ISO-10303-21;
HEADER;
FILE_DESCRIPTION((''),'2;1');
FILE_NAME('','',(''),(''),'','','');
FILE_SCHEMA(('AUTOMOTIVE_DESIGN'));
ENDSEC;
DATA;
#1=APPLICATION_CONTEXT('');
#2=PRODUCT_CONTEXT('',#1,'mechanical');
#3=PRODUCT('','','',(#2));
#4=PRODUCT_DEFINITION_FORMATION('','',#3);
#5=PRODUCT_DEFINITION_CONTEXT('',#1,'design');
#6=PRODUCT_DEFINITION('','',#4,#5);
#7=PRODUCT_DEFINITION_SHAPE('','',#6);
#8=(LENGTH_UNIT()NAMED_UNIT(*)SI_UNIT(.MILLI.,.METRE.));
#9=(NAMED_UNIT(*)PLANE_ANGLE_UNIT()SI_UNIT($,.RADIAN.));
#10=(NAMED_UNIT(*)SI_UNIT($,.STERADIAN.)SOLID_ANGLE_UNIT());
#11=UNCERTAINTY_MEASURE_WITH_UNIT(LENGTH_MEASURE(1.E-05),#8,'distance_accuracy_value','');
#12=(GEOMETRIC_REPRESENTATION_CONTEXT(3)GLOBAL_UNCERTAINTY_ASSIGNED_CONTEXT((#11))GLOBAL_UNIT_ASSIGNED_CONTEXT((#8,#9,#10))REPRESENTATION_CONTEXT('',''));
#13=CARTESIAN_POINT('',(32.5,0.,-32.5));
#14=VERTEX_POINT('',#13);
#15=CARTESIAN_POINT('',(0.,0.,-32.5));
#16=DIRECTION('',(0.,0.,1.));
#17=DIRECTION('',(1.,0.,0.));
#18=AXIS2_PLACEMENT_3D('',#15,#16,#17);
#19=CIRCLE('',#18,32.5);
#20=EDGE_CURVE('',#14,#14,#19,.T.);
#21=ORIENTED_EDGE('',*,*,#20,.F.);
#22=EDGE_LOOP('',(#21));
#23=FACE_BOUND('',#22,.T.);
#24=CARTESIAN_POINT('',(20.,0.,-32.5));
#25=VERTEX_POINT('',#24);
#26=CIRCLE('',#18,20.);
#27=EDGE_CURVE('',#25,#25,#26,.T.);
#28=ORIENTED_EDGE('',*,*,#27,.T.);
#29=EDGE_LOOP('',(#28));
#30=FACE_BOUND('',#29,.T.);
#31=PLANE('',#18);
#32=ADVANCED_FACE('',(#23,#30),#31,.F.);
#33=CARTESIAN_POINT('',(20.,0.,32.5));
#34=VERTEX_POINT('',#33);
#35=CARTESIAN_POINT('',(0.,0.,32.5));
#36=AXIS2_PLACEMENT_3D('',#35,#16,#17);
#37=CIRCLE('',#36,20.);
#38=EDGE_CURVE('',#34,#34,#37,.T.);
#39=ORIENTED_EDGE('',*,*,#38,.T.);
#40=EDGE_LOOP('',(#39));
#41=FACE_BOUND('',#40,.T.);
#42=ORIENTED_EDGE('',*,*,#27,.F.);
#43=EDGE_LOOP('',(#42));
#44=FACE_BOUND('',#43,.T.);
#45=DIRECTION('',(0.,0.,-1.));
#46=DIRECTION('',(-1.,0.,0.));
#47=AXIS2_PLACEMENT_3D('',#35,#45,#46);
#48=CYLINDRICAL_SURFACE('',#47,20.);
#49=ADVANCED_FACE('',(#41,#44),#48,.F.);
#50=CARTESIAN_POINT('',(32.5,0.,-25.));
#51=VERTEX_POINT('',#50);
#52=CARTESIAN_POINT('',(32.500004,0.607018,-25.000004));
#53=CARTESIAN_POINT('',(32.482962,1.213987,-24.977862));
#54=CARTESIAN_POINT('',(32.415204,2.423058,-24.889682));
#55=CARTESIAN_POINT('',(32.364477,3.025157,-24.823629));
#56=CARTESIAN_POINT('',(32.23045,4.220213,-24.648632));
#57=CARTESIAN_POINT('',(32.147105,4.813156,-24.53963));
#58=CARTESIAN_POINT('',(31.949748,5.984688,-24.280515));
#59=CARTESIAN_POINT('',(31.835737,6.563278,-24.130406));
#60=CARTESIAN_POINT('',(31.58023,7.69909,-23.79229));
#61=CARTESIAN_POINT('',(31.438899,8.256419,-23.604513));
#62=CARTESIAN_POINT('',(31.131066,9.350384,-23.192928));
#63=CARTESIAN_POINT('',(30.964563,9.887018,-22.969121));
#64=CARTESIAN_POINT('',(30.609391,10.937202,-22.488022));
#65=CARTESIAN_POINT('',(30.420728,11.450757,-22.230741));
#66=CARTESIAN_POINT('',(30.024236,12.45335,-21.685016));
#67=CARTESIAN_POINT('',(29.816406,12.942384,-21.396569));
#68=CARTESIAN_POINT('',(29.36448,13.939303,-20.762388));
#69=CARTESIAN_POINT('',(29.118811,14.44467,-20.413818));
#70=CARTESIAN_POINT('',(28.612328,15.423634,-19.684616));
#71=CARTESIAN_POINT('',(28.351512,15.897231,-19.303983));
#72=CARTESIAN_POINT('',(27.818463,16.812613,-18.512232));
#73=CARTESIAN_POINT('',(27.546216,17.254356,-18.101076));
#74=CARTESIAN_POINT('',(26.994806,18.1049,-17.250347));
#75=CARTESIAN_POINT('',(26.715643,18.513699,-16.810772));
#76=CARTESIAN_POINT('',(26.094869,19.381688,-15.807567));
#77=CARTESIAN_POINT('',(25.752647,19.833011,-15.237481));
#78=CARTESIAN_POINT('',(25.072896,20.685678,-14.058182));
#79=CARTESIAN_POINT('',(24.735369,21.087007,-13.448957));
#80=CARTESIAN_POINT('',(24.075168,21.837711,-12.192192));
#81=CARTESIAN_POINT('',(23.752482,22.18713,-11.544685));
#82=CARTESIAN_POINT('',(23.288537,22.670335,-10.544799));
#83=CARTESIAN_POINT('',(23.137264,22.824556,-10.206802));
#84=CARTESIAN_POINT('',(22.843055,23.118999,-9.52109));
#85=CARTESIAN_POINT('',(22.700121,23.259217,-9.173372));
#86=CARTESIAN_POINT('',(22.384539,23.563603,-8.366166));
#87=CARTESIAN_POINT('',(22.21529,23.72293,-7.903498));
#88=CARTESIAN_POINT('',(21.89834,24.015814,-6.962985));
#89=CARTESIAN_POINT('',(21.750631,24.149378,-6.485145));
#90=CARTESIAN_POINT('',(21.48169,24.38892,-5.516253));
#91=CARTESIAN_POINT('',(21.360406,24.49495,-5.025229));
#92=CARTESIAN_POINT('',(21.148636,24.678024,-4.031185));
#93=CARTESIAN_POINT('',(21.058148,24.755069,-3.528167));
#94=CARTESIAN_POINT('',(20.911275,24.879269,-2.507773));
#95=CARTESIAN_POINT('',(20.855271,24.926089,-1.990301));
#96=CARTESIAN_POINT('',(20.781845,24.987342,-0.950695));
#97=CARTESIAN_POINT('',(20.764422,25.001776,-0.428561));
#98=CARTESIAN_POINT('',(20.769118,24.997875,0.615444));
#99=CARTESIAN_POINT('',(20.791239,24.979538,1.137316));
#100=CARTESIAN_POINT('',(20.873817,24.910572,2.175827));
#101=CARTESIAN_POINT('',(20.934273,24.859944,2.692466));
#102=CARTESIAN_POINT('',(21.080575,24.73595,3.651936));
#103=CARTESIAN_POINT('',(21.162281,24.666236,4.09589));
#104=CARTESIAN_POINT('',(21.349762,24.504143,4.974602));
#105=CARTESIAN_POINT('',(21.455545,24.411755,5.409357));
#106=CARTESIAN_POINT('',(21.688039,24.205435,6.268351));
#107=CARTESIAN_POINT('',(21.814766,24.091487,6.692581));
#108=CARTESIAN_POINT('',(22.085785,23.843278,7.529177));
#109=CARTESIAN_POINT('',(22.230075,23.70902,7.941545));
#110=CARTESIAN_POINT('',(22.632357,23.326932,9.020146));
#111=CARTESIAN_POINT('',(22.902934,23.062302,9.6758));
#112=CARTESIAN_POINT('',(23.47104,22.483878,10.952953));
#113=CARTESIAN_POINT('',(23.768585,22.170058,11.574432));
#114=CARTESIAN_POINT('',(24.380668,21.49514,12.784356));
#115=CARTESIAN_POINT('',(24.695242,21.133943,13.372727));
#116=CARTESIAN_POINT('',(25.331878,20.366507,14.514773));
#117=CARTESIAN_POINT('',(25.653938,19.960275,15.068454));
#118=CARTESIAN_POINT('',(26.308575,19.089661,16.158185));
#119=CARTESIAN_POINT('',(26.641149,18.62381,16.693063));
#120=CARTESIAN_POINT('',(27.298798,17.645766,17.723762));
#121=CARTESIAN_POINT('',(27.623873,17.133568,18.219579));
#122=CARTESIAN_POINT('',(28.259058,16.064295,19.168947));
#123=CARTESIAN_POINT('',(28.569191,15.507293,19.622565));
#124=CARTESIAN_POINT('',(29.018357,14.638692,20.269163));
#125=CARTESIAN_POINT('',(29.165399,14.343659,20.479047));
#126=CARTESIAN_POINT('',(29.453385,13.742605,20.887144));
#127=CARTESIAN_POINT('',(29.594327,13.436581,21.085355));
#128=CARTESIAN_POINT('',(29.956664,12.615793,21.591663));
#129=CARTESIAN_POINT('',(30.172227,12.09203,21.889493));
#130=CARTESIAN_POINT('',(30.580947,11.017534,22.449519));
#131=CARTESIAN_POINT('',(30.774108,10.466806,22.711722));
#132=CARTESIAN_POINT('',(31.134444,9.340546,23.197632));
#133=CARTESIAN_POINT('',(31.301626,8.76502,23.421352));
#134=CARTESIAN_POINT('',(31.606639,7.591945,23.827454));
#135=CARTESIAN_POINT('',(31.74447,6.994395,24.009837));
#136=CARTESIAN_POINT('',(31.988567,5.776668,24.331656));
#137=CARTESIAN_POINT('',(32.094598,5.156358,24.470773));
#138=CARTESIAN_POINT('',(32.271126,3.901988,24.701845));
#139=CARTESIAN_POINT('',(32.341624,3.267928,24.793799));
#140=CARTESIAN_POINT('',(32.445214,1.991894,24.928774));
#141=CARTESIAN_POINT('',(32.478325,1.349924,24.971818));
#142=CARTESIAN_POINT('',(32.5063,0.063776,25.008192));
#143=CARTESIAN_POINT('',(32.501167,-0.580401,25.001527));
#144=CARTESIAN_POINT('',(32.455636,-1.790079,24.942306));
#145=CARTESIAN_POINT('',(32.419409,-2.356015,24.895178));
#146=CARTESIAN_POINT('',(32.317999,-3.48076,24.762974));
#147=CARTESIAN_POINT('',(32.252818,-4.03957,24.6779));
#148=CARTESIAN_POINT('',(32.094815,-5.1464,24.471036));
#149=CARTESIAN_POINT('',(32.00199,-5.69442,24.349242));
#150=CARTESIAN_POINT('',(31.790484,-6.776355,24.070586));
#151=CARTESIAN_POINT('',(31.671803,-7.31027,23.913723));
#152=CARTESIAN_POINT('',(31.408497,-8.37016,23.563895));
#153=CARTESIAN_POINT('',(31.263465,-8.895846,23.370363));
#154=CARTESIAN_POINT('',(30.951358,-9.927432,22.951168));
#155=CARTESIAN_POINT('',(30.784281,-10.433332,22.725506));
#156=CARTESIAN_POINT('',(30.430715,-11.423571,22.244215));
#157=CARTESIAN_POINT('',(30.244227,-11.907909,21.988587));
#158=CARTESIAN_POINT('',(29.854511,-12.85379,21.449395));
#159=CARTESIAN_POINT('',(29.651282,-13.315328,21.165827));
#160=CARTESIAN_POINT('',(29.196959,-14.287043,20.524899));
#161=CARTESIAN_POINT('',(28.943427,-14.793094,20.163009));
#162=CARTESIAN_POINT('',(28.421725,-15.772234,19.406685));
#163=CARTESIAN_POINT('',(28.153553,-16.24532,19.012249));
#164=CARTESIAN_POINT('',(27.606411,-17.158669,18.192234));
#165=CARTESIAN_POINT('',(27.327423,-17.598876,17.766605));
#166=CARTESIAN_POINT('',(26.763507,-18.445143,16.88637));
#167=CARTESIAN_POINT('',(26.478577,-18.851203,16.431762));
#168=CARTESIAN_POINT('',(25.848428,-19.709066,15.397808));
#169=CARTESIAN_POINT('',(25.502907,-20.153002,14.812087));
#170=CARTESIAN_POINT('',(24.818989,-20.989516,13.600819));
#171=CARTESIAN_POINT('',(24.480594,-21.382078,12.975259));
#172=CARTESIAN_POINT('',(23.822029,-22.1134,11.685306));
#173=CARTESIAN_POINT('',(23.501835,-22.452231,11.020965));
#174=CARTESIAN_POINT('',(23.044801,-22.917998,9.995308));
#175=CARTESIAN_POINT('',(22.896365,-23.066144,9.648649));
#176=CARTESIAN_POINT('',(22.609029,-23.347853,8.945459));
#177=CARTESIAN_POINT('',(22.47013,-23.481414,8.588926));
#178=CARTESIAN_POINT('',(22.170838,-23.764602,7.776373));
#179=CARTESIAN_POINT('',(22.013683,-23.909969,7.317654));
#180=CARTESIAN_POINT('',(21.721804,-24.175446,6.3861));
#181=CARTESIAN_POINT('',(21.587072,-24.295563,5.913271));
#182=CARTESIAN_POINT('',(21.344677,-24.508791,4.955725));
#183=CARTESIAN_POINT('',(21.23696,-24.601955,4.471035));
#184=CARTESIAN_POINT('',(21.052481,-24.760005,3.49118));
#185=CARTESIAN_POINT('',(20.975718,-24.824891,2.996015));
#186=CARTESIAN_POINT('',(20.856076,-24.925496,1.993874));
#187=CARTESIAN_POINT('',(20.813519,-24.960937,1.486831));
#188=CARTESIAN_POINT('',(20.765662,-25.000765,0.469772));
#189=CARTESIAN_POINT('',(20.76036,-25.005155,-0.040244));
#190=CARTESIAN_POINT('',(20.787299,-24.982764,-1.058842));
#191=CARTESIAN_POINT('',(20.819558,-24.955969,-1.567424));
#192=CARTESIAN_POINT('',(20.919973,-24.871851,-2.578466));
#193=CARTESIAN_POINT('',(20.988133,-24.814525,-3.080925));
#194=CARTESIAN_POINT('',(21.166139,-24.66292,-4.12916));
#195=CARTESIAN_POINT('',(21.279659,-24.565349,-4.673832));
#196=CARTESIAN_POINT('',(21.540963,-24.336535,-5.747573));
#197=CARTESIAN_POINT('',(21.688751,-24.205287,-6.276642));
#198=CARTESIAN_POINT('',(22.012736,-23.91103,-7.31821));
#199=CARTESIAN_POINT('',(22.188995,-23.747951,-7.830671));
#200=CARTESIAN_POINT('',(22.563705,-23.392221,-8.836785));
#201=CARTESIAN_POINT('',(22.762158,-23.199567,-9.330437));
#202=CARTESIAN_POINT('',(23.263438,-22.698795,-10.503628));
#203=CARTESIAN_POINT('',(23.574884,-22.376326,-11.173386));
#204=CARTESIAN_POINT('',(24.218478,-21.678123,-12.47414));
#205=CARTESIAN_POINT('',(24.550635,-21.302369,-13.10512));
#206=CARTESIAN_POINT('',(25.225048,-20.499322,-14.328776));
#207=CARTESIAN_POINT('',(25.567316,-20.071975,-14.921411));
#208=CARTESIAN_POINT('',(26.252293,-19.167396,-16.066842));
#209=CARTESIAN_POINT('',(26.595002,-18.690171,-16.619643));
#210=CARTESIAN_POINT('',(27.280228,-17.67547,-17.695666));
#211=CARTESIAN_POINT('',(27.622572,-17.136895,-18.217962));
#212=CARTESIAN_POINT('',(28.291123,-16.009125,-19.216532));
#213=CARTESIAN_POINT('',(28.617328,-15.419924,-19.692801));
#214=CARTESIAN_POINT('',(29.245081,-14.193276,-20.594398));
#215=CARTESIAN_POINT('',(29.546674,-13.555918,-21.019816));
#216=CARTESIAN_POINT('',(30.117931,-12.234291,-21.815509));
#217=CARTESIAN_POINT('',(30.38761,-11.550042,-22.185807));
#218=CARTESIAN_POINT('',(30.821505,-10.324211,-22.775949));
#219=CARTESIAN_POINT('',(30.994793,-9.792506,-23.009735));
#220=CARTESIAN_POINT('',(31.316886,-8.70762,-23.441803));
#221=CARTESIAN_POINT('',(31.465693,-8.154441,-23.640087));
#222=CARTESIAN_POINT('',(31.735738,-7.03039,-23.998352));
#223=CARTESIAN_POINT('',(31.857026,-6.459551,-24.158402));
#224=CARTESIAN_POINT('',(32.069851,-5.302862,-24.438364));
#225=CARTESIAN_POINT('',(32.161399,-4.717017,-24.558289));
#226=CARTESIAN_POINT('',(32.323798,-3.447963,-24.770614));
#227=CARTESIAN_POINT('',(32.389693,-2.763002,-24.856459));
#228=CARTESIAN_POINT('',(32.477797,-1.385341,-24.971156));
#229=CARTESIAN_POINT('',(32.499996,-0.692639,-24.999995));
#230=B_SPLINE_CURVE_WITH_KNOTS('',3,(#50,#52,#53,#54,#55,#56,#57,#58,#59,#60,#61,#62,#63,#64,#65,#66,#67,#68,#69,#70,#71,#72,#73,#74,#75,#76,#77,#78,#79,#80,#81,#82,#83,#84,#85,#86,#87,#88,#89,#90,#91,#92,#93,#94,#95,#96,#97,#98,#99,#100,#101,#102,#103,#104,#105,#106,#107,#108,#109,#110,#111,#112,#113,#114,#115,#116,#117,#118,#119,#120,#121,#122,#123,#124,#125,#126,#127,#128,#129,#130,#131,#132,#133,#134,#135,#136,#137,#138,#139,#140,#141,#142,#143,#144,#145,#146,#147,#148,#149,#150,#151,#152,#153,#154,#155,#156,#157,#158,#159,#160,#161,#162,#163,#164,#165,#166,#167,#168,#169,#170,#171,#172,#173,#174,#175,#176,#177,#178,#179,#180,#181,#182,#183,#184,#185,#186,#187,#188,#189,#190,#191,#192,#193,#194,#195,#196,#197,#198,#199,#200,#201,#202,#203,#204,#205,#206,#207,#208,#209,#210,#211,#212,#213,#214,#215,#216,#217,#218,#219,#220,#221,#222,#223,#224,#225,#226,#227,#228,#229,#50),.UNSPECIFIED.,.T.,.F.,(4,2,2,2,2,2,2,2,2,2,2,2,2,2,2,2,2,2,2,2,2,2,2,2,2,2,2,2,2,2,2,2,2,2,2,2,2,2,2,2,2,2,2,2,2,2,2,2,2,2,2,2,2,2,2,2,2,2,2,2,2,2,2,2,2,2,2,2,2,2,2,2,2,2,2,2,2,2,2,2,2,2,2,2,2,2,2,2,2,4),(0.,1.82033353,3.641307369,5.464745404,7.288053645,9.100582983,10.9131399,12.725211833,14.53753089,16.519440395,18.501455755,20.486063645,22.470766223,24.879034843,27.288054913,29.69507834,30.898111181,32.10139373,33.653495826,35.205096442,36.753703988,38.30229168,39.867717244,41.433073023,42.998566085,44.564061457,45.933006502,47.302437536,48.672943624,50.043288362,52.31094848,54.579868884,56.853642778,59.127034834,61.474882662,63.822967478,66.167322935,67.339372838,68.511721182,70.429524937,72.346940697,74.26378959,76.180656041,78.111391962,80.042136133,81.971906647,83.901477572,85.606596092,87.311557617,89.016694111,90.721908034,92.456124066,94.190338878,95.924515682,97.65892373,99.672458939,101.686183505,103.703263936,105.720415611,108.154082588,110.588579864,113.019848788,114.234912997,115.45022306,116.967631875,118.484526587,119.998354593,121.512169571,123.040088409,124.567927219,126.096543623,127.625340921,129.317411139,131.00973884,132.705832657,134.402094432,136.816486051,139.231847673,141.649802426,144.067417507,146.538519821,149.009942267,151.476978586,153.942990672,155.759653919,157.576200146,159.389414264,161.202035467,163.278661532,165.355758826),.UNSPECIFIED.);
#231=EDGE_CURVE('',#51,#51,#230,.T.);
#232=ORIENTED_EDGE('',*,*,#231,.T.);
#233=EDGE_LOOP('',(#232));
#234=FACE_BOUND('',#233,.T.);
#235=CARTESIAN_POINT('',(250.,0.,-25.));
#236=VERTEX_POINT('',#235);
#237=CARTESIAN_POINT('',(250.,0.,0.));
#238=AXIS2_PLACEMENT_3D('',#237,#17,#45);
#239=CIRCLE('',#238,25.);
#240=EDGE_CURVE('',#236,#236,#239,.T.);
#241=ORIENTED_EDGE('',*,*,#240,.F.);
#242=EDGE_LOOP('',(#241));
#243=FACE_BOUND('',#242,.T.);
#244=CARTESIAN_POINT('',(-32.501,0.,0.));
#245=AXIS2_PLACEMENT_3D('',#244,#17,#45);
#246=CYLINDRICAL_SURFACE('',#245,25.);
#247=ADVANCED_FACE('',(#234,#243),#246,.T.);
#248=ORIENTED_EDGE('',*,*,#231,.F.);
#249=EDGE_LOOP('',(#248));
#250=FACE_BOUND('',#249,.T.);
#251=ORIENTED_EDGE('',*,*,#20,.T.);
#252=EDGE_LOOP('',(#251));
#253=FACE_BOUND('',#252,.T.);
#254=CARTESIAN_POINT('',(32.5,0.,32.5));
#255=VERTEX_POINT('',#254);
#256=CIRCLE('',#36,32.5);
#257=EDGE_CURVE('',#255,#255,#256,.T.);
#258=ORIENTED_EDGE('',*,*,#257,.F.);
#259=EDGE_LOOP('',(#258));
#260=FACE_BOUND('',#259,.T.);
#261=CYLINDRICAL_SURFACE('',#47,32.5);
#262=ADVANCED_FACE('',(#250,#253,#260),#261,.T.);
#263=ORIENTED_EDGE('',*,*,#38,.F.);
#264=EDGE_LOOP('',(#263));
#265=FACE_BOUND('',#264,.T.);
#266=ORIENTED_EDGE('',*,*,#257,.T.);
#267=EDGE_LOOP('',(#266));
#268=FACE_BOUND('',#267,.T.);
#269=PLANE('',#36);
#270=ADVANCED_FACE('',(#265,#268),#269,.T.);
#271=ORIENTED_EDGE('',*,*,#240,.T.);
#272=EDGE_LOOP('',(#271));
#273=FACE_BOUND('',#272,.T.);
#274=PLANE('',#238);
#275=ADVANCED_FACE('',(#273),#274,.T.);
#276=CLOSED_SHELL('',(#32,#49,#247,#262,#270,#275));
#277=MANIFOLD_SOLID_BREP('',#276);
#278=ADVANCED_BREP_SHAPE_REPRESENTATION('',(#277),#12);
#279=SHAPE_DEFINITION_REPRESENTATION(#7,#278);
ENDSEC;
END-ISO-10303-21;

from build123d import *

# Parameters (mm, degrees)
SKETCH_1_R           = 32.5
SKETCH_1_R_2         = 20
EXTRUDE_1_DEPTH      = 32.5
EXTRUDE_2_REACH      = 288.215
EXTRUDE_2_END_RADIUS = 32.5
SKETCH_2_R           = 25


with BuildPart() as part:
    # 草图1 → 凸台-拉伸1 (new, symmetric)
    with BuildSketch(Plane.XY):
        Circle(SKETCH_1_R)
        Circle(SKETCH_1_R_2, mode=Mode.SUBTRACT)
    extrude(amount=EXTRUDE_1_DEPTH, both=True)

    # 凸台-拉伸2: up to this cylinder (the profile starts outside it)
    extrude_2_end = Plane(origin=(0, 0, 0), z_dir=(0, 0, -1)) * Cylinder(EXTRUDE_2_END_RADIUS, 642.43, mode=Mode.PRIVATE)
    # 草图2 → 凸台-拉伸2 (add, up to the surface)
    with BuildSketch(Plane(origin=(250, 0, 0), x_dir=(0, 0, -1), z_dir=(1, 0, 0)), mode=Mode.PRIVATE) as extrude_2_sk1:
        Circle(SKETCH_2_R)
    extrude_2_tool1 = extrude(extrude_2_sk1.sketch, amount=-EXTRUDE_2_REACH, mode=Mode.PRIVATE) - extrude_2_end
    add(extrude_2_tool1.solids().sort_by_distance((250, 0, 0))[0])


solid = part.part
